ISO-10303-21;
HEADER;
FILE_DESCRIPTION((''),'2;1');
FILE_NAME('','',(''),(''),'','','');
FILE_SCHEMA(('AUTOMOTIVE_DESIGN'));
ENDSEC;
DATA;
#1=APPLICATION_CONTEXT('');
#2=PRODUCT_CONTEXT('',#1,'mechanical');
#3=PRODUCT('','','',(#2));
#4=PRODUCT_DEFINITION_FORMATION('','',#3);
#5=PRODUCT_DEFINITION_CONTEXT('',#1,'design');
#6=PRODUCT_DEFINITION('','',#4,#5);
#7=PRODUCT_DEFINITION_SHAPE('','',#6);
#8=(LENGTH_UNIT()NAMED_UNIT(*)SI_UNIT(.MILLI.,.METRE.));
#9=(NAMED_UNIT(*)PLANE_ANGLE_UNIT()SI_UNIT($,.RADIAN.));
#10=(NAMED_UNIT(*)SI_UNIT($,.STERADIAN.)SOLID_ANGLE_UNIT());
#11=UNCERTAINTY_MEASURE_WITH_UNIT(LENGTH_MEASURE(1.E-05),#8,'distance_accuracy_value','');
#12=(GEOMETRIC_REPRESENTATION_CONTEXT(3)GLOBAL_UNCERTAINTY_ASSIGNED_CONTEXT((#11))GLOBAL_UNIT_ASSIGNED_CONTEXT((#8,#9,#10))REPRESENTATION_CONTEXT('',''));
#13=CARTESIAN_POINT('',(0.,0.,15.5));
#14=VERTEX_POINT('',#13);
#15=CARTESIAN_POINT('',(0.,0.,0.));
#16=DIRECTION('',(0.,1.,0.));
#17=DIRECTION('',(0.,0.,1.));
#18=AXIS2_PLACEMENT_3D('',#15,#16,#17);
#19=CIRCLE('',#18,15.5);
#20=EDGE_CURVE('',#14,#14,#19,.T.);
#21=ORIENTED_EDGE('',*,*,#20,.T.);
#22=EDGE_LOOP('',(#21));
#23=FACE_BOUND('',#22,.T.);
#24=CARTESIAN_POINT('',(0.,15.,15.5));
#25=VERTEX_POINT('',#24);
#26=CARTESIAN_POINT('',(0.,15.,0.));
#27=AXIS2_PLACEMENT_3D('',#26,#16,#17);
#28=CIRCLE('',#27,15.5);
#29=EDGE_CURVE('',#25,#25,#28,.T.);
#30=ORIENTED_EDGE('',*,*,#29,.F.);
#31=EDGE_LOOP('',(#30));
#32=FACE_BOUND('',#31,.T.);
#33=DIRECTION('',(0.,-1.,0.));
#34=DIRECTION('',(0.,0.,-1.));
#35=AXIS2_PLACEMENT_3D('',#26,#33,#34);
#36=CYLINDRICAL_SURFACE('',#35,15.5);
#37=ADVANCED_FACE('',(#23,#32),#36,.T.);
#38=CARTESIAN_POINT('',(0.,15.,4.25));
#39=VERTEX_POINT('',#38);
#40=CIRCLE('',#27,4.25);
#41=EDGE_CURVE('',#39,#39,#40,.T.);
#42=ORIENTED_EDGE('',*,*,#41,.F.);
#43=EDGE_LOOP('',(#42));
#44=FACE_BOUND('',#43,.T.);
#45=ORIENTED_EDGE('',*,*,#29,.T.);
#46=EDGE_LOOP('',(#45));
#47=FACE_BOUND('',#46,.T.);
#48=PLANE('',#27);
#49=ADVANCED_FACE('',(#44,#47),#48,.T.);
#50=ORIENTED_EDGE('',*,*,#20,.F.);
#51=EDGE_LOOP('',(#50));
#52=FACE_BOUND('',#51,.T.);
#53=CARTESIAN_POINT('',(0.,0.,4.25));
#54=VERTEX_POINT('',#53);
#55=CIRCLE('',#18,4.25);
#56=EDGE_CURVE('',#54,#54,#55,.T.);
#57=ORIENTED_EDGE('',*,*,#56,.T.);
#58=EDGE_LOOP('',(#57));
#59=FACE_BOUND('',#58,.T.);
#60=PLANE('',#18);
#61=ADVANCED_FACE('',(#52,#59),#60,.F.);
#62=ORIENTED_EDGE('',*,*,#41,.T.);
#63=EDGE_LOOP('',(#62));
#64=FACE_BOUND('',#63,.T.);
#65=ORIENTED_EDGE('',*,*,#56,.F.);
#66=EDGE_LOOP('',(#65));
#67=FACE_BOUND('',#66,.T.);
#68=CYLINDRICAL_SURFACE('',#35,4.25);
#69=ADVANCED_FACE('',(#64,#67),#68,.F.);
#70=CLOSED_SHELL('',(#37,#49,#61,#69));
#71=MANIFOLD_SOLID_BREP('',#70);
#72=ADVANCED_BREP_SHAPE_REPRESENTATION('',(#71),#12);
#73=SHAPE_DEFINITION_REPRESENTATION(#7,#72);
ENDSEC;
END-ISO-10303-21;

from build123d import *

# Parameters (mm, degrees)
SKETCH_1_R      = 15.5
SKETCH_1_R_2    = 4.25
EXTRUDE_1_DEPTH = 15


with BuildPart() as part:
    # Эскиз1 → Бобышка-Вытянуть1 (new body)
    with BuildSketch(Plane(origin=(0, 0, 0), x_dir=(1, 0, 0), z_dir=(0, 1, 0))):
        with Locations(Location((0, 0, 0), (0, 0, 270))):
            Circle(SKETCH_1_R)
        with Locations(Location((0, 0, 0), (0, 0, 270))):
            Circle(SKETCH_1_R_2, mode=Mode.SUBTRACT)
    extrude(amount=EXTRUDE_1_DEPTH)


solid = part.part
